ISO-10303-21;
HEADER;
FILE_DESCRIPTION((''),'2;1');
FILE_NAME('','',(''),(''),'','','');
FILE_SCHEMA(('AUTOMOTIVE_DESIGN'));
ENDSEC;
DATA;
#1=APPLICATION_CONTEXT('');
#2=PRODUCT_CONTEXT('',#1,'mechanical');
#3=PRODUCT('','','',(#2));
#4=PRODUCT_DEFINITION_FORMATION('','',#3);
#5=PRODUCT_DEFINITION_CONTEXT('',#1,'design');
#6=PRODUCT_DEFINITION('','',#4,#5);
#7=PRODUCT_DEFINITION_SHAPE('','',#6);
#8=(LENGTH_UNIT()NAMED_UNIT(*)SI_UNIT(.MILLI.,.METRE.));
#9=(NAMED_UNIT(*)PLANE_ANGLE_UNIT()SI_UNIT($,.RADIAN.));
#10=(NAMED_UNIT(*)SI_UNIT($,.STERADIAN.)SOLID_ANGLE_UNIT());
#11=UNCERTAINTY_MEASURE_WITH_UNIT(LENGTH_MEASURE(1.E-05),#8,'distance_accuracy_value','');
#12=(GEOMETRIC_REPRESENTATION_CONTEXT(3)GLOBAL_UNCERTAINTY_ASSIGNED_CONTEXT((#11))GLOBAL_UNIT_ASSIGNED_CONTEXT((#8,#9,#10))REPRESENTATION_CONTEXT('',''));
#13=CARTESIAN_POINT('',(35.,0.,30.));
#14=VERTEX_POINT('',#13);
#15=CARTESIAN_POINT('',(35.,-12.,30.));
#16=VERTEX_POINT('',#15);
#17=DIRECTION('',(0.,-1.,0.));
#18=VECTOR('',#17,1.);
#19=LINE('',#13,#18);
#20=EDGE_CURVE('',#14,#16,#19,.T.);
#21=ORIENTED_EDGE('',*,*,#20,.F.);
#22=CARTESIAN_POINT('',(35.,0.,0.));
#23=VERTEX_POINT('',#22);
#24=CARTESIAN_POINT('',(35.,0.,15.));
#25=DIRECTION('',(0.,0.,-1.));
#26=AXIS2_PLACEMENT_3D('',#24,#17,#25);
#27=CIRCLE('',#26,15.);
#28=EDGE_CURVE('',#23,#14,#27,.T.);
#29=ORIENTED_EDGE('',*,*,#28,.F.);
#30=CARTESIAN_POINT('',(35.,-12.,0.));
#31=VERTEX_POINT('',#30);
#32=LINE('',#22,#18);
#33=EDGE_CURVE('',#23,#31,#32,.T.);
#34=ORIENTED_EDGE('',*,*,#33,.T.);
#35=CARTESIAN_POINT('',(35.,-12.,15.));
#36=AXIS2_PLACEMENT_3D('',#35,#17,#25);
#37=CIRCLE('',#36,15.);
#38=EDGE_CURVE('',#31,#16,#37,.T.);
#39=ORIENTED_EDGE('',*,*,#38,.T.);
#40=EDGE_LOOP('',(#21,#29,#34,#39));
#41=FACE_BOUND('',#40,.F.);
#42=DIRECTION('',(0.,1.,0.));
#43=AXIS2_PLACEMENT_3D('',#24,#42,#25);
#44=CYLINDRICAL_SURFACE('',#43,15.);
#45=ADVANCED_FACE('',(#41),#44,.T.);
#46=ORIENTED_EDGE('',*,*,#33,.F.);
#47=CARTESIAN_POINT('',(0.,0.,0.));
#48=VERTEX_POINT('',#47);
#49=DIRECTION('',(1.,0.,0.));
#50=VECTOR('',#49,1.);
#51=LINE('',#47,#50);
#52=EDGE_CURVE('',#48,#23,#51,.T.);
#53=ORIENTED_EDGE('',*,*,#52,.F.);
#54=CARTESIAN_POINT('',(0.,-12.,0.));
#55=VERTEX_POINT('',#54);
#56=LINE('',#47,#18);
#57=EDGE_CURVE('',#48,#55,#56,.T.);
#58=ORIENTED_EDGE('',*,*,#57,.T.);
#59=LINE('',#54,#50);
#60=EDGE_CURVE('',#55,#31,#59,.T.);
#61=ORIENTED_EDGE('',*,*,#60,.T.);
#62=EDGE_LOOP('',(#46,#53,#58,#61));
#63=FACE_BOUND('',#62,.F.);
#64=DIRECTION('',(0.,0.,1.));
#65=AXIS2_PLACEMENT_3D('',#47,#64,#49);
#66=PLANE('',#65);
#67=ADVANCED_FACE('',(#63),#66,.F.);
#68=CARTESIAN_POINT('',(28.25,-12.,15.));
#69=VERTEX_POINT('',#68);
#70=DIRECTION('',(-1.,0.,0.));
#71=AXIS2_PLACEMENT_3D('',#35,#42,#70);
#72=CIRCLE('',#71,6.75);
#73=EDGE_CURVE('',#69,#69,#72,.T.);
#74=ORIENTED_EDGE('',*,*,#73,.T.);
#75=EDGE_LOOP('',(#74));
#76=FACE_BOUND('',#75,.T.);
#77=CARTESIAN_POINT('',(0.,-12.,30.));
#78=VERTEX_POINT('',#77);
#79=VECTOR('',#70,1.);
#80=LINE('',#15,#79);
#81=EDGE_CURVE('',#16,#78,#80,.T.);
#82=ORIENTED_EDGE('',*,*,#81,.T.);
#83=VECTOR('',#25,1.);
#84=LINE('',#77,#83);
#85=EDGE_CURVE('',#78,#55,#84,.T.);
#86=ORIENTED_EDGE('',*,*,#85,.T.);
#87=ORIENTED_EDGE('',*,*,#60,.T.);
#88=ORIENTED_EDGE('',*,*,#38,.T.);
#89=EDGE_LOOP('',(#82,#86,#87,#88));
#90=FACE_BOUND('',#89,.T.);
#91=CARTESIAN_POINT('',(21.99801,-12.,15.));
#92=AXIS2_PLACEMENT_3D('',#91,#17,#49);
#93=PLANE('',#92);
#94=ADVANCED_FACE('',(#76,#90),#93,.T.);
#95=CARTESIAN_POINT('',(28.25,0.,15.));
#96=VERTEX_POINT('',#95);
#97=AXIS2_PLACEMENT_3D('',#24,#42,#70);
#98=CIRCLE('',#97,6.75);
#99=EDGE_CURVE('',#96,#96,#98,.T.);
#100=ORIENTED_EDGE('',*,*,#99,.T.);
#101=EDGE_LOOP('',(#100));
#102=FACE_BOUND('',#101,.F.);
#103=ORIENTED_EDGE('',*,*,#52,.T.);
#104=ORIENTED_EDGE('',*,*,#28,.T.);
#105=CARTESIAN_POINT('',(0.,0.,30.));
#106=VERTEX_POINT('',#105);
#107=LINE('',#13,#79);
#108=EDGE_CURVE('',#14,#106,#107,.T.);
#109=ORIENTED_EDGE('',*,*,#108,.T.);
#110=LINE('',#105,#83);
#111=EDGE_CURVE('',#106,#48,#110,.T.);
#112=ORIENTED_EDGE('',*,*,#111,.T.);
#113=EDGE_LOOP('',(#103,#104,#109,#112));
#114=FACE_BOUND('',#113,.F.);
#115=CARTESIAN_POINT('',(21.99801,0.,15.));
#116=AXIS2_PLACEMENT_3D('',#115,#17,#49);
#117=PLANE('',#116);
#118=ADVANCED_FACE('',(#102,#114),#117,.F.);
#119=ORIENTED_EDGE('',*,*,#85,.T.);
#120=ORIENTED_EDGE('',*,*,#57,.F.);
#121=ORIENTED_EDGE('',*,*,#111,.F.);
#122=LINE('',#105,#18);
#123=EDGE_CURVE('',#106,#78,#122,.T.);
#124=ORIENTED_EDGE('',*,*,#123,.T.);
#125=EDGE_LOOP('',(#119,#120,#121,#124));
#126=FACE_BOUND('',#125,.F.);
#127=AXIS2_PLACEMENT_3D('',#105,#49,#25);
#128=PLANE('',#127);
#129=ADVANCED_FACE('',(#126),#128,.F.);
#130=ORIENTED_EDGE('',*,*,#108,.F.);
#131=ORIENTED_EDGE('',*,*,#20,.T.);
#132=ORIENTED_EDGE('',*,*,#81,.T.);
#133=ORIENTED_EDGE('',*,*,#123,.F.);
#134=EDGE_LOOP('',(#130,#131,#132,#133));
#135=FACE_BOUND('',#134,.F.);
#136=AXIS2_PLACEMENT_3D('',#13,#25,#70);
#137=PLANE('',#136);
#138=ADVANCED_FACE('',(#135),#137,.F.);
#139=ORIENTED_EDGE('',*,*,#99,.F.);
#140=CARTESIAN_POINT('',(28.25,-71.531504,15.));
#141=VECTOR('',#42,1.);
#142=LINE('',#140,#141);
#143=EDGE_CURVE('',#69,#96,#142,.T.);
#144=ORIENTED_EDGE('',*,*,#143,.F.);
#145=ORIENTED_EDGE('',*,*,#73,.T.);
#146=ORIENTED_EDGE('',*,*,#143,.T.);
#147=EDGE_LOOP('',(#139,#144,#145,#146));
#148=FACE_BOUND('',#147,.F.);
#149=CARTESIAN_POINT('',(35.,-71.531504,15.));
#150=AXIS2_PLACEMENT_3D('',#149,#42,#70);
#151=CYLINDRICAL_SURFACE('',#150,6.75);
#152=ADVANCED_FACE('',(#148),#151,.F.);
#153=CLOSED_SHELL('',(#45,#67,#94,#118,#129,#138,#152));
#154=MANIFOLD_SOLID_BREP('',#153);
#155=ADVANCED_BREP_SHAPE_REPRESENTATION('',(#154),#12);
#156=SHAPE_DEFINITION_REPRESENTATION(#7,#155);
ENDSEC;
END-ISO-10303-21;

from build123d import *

# Parameters (mm, degrees)
F1_DEPTH = 12
F3_D     = 13.5


with BuildPart() as f1:
    # F0 (on Front) → F1 (new body)
    with BuildSketch(Plane.XZ):
        with BuildLine():
            Line((0, 30), (0, 0))
            Line((0, 0), (35, 0))
            ThreePointArc((35, 0), (45.6066017178, 4.3933982822), (50, 15))
            ThreePointArc((50, 15), (45.6066017178, 25.6066017178), (35, 30))
            Line((35, 30), (0, 30))
        make_face()
    extrude(amount=F1_DEPTH)

    # F3 (through all)
    with Locations(Plane.XZ.offset(12)):
        with Locations((35, 15)):
            Hole(F3_D / 2)


solid = f1.part
